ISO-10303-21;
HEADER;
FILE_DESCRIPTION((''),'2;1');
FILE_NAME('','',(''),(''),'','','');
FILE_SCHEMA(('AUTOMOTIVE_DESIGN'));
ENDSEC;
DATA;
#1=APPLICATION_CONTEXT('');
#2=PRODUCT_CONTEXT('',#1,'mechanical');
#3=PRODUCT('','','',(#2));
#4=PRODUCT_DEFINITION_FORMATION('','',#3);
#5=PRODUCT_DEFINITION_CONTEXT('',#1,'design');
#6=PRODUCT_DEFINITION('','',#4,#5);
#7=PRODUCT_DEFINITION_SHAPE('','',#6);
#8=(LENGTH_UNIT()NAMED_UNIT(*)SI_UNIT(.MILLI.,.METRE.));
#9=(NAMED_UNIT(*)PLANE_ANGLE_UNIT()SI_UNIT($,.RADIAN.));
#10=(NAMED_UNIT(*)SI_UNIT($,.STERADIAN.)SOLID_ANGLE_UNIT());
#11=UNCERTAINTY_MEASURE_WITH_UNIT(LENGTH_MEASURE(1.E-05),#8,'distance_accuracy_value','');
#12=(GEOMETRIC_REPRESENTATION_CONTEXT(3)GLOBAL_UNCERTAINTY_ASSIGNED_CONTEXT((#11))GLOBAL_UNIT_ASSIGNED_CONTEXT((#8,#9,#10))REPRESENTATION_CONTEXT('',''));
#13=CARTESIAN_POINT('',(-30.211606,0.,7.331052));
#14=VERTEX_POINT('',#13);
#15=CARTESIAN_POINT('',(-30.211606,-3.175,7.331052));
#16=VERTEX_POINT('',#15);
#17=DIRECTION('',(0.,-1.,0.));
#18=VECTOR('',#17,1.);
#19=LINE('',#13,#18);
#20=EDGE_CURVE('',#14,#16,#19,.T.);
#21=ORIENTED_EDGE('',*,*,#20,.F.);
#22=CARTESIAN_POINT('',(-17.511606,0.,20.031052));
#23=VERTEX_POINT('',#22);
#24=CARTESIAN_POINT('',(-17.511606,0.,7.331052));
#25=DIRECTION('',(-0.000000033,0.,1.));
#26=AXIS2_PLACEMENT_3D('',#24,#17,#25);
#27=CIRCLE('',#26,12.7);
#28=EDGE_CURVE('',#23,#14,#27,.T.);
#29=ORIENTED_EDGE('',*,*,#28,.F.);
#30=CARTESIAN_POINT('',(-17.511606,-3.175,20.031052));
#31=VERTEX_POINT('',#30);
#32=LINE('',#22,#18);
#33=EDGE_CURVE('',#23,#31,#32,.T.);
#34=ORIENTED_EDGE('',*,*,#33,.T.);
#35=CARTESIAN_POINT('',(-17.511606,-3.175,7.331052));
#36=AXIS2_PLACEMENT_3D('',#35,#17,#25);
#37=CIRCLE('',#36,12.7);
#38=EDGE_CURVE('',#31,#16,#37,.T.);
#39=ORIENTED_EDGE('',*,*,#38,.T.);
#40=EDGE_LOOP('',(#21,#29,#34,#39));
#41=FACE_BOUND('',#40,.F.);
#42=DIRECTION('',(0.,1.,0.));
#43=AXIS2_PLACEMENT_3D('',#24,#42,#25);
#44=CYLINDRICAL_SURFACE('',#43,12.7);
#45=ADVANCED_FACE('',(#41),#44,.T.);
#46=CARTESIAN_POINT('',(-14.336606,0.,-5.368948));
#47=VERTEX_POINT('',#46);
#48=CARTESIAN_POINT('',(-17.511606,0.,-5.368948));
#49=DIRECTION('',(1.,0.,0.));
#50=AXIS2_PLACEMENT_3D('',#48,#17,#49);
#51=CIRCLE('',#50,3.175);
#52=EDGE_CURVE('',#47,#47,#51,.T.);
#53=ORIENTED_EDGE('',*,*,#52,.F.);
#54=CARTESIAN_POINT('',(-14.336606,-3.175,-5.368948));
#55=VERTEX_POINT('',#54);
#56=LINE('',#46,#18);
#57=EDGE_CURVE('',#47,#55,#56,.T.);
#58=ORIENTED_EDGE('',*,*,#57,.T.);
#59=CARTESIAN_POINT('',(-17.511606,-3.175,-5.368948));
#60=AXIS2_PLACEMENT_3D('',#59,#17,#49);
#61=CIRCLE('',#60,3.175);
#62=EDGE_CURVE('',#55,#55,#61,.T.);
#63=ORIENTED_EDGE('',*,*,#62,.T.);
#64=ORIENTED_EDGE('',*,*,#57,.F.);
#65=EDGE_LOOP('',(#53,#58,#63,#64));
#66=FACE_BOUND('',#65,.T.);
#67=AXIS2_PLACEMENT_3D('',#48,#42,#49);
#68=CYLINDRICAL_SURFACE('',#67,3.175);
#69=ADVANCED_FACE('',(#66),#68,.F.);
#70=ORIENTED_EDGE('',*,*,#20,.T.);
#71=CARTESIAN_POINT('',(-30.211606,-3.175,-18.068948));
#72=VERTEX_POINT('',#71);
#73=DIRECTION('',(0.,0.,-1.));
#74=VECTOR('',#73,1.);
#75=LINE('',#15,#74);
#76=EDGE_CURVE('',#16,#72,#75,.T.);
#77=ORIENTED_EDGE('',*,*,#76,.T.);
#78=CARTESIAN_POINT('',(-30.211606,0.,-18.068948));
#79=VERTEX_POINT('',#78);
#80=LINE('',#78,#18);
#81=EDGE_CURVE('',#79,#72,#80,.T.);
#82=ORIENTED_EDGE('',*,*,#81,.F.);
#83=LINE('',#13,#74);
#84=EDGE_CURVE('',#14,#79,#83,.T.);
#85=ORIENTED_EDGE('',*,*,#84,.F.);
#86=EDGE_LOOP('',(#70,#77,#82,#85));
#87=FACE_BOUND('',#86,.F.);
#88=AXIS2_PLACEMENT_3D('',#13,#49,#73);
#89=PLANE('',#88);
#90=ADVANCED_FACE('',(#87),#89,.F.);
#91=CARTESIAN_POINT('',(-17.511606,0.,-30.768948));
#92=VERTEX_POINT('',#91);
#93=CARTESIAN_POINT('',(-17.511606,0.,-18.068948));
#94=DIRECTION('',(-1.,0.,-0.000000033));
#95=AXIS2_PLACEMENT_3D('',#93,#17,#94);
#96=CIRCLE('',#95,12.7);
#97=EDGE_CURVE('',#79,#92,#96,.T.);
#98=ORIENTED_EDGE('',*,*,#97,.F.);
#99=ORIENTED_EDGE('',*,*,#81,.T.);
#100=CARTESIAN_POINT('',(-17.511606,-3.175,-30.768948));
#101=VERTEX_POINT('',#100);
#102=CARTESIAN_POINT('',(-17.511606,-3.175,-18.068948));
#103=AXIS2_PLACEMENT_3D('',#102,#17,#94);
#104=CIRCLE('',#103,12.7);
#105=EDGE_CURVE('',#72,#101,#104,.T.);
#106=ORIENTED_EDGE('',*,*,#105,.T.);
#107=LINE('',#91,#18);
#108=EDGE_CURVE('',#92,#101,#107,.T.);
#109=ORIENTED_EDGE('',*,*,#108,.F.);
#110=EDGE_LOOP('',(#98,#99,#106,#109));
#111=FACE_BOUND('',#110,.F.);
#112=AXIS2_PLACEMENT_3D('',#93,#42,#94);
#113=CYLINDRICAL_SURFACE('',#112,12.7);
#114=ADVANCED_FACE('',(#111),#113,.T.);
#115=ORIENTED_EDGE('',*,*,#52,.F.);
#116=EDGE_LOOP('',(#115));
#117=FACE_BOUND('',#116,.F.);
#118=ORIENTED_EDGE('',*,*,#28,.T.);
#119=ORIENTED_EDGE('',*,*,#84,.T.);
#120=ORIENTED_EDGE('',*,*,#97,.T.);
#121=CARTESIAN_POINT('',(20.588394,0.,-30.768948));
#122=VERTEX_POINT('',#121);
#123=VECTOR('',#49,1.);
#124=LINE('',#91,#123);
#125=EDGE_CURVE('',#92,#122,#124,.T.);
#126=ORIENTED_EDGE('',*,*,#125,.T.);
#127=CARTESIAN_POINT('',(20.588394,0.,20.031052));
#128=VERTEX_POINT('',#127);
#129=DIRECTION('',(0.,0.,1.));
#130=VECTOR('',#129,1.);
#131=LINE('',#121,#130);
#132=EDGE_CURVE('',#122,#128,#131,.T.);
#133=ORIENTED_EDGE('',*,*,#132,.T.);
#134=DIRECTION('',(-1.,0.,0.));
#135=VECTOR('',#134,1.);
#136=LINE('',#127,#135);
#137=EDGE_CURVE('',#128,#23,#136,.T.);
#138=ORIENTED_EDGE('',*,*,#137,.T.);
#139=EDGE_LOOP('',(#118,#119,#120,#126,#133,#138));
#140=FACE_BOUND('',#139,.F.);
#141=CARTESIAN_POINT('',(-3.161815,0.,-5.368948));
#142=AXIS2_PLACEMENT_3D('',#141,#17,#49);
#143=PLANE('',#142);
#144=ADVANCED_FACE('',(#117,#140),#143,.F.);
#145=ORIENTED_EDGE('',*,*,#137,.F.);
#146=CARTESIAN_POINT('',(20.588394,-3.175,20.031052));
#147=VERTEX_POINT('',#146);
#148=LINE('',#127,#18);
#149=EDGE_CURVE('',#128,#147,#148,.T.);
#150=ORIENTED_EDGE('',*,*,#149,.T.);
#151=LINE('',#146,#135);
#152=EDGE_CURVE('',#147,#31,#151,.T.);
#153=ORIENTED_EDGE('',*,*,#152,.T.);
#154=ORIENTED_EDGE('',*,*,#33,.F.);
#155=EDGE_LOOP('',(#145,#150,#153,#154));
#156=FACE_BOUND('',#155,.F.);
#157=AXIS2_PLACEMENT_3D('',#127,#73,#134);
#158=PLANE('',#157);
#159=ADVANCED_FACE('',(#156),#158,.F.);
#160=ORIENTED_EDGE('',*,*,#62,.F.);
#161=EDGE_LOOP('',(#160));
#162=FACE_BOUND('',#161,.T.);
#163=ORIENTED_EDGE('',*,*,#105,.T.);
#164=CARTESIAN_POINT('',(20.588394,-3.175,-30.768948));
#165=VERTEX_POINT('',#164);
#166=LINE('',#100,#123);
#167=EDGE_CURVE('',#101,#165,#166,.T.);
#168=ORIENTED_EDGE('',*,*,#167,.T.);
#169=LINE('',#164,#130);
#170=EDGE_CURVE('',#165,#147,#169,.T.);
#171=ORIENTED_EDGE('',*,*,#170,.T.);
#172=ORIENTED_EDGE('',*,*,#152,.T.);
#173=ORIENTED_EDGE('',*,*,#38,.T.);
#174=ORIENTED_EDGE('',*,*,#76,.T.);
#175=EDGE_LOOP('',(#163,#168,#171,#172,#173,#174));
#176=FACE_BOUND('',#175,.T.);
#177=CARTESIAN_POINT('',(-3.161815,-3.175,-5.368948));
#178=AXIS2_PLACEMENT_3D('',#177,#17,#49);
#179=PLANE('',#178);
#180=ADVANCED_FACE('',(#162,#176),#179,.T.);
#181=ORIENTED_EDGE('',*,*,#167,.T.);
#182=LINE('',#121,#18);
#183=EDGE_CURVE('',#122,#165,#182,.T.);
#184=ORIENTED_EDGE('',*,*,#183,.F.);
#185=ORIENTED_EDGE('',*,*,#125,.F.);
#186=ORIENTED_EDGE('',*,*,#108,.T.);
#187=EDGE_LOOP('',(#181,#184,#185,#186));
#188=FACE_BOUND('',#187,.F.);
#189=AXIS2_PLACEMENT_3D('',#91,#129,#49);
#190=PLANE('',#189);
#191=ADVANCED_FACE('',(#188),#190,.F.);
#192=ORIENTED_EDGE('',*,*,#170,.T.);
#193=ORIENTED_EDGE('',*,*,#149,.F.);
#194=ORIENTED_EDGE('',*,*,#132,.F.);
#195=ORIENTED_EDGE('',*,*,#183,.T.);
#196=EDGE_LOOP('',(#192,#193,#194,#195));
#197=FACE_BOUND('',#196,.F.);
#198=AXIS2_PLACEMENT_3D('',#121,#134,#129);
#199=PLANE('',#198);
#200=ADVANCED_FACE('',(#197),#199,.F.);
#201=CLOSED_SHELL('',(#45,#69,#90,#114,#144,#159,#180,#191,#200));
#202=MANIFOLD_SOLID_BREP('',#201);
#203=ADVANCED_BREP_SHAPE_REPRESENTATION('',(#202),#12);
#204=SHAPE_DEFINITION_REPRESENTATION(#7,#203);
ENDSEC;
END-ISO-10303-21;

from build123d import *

# Parameters (mm, degrees)
F0_R     = 3.175
F1_DEPTH = 3.175


with BuildPart() as f1:
    # F0 (on Front) → F1 (new body)
    with BuildSketch(Plane.XZ):
        with BuildLine():
            Line((20.588394, 20.031052), (-17.511606, 20.031052))
            ThreePointArc((-17.511606, 20.031052), (-26.491862, 16.311308), (-30.211606, 7.331052))
            Line((-30.211606, 7.331052), (-30.211606, -18.068948))
            ThreePointArc((-30.211606, -18.068948), (-26.491862, -27.049204), (-17.511606, -30.768948))
            Line((-17.511606, -30.768948), (20.588394, -30.768948))
            Line((20.588394, -30.768948), (20.588394, 20.031052))
        make_face()
        with Locations((-17.511606, -5.368948)):
            Circle(F0_R, mode=Mode.SUBTRACT)
    extrude(amount=F1_DEPTH)


solid = f1.part
